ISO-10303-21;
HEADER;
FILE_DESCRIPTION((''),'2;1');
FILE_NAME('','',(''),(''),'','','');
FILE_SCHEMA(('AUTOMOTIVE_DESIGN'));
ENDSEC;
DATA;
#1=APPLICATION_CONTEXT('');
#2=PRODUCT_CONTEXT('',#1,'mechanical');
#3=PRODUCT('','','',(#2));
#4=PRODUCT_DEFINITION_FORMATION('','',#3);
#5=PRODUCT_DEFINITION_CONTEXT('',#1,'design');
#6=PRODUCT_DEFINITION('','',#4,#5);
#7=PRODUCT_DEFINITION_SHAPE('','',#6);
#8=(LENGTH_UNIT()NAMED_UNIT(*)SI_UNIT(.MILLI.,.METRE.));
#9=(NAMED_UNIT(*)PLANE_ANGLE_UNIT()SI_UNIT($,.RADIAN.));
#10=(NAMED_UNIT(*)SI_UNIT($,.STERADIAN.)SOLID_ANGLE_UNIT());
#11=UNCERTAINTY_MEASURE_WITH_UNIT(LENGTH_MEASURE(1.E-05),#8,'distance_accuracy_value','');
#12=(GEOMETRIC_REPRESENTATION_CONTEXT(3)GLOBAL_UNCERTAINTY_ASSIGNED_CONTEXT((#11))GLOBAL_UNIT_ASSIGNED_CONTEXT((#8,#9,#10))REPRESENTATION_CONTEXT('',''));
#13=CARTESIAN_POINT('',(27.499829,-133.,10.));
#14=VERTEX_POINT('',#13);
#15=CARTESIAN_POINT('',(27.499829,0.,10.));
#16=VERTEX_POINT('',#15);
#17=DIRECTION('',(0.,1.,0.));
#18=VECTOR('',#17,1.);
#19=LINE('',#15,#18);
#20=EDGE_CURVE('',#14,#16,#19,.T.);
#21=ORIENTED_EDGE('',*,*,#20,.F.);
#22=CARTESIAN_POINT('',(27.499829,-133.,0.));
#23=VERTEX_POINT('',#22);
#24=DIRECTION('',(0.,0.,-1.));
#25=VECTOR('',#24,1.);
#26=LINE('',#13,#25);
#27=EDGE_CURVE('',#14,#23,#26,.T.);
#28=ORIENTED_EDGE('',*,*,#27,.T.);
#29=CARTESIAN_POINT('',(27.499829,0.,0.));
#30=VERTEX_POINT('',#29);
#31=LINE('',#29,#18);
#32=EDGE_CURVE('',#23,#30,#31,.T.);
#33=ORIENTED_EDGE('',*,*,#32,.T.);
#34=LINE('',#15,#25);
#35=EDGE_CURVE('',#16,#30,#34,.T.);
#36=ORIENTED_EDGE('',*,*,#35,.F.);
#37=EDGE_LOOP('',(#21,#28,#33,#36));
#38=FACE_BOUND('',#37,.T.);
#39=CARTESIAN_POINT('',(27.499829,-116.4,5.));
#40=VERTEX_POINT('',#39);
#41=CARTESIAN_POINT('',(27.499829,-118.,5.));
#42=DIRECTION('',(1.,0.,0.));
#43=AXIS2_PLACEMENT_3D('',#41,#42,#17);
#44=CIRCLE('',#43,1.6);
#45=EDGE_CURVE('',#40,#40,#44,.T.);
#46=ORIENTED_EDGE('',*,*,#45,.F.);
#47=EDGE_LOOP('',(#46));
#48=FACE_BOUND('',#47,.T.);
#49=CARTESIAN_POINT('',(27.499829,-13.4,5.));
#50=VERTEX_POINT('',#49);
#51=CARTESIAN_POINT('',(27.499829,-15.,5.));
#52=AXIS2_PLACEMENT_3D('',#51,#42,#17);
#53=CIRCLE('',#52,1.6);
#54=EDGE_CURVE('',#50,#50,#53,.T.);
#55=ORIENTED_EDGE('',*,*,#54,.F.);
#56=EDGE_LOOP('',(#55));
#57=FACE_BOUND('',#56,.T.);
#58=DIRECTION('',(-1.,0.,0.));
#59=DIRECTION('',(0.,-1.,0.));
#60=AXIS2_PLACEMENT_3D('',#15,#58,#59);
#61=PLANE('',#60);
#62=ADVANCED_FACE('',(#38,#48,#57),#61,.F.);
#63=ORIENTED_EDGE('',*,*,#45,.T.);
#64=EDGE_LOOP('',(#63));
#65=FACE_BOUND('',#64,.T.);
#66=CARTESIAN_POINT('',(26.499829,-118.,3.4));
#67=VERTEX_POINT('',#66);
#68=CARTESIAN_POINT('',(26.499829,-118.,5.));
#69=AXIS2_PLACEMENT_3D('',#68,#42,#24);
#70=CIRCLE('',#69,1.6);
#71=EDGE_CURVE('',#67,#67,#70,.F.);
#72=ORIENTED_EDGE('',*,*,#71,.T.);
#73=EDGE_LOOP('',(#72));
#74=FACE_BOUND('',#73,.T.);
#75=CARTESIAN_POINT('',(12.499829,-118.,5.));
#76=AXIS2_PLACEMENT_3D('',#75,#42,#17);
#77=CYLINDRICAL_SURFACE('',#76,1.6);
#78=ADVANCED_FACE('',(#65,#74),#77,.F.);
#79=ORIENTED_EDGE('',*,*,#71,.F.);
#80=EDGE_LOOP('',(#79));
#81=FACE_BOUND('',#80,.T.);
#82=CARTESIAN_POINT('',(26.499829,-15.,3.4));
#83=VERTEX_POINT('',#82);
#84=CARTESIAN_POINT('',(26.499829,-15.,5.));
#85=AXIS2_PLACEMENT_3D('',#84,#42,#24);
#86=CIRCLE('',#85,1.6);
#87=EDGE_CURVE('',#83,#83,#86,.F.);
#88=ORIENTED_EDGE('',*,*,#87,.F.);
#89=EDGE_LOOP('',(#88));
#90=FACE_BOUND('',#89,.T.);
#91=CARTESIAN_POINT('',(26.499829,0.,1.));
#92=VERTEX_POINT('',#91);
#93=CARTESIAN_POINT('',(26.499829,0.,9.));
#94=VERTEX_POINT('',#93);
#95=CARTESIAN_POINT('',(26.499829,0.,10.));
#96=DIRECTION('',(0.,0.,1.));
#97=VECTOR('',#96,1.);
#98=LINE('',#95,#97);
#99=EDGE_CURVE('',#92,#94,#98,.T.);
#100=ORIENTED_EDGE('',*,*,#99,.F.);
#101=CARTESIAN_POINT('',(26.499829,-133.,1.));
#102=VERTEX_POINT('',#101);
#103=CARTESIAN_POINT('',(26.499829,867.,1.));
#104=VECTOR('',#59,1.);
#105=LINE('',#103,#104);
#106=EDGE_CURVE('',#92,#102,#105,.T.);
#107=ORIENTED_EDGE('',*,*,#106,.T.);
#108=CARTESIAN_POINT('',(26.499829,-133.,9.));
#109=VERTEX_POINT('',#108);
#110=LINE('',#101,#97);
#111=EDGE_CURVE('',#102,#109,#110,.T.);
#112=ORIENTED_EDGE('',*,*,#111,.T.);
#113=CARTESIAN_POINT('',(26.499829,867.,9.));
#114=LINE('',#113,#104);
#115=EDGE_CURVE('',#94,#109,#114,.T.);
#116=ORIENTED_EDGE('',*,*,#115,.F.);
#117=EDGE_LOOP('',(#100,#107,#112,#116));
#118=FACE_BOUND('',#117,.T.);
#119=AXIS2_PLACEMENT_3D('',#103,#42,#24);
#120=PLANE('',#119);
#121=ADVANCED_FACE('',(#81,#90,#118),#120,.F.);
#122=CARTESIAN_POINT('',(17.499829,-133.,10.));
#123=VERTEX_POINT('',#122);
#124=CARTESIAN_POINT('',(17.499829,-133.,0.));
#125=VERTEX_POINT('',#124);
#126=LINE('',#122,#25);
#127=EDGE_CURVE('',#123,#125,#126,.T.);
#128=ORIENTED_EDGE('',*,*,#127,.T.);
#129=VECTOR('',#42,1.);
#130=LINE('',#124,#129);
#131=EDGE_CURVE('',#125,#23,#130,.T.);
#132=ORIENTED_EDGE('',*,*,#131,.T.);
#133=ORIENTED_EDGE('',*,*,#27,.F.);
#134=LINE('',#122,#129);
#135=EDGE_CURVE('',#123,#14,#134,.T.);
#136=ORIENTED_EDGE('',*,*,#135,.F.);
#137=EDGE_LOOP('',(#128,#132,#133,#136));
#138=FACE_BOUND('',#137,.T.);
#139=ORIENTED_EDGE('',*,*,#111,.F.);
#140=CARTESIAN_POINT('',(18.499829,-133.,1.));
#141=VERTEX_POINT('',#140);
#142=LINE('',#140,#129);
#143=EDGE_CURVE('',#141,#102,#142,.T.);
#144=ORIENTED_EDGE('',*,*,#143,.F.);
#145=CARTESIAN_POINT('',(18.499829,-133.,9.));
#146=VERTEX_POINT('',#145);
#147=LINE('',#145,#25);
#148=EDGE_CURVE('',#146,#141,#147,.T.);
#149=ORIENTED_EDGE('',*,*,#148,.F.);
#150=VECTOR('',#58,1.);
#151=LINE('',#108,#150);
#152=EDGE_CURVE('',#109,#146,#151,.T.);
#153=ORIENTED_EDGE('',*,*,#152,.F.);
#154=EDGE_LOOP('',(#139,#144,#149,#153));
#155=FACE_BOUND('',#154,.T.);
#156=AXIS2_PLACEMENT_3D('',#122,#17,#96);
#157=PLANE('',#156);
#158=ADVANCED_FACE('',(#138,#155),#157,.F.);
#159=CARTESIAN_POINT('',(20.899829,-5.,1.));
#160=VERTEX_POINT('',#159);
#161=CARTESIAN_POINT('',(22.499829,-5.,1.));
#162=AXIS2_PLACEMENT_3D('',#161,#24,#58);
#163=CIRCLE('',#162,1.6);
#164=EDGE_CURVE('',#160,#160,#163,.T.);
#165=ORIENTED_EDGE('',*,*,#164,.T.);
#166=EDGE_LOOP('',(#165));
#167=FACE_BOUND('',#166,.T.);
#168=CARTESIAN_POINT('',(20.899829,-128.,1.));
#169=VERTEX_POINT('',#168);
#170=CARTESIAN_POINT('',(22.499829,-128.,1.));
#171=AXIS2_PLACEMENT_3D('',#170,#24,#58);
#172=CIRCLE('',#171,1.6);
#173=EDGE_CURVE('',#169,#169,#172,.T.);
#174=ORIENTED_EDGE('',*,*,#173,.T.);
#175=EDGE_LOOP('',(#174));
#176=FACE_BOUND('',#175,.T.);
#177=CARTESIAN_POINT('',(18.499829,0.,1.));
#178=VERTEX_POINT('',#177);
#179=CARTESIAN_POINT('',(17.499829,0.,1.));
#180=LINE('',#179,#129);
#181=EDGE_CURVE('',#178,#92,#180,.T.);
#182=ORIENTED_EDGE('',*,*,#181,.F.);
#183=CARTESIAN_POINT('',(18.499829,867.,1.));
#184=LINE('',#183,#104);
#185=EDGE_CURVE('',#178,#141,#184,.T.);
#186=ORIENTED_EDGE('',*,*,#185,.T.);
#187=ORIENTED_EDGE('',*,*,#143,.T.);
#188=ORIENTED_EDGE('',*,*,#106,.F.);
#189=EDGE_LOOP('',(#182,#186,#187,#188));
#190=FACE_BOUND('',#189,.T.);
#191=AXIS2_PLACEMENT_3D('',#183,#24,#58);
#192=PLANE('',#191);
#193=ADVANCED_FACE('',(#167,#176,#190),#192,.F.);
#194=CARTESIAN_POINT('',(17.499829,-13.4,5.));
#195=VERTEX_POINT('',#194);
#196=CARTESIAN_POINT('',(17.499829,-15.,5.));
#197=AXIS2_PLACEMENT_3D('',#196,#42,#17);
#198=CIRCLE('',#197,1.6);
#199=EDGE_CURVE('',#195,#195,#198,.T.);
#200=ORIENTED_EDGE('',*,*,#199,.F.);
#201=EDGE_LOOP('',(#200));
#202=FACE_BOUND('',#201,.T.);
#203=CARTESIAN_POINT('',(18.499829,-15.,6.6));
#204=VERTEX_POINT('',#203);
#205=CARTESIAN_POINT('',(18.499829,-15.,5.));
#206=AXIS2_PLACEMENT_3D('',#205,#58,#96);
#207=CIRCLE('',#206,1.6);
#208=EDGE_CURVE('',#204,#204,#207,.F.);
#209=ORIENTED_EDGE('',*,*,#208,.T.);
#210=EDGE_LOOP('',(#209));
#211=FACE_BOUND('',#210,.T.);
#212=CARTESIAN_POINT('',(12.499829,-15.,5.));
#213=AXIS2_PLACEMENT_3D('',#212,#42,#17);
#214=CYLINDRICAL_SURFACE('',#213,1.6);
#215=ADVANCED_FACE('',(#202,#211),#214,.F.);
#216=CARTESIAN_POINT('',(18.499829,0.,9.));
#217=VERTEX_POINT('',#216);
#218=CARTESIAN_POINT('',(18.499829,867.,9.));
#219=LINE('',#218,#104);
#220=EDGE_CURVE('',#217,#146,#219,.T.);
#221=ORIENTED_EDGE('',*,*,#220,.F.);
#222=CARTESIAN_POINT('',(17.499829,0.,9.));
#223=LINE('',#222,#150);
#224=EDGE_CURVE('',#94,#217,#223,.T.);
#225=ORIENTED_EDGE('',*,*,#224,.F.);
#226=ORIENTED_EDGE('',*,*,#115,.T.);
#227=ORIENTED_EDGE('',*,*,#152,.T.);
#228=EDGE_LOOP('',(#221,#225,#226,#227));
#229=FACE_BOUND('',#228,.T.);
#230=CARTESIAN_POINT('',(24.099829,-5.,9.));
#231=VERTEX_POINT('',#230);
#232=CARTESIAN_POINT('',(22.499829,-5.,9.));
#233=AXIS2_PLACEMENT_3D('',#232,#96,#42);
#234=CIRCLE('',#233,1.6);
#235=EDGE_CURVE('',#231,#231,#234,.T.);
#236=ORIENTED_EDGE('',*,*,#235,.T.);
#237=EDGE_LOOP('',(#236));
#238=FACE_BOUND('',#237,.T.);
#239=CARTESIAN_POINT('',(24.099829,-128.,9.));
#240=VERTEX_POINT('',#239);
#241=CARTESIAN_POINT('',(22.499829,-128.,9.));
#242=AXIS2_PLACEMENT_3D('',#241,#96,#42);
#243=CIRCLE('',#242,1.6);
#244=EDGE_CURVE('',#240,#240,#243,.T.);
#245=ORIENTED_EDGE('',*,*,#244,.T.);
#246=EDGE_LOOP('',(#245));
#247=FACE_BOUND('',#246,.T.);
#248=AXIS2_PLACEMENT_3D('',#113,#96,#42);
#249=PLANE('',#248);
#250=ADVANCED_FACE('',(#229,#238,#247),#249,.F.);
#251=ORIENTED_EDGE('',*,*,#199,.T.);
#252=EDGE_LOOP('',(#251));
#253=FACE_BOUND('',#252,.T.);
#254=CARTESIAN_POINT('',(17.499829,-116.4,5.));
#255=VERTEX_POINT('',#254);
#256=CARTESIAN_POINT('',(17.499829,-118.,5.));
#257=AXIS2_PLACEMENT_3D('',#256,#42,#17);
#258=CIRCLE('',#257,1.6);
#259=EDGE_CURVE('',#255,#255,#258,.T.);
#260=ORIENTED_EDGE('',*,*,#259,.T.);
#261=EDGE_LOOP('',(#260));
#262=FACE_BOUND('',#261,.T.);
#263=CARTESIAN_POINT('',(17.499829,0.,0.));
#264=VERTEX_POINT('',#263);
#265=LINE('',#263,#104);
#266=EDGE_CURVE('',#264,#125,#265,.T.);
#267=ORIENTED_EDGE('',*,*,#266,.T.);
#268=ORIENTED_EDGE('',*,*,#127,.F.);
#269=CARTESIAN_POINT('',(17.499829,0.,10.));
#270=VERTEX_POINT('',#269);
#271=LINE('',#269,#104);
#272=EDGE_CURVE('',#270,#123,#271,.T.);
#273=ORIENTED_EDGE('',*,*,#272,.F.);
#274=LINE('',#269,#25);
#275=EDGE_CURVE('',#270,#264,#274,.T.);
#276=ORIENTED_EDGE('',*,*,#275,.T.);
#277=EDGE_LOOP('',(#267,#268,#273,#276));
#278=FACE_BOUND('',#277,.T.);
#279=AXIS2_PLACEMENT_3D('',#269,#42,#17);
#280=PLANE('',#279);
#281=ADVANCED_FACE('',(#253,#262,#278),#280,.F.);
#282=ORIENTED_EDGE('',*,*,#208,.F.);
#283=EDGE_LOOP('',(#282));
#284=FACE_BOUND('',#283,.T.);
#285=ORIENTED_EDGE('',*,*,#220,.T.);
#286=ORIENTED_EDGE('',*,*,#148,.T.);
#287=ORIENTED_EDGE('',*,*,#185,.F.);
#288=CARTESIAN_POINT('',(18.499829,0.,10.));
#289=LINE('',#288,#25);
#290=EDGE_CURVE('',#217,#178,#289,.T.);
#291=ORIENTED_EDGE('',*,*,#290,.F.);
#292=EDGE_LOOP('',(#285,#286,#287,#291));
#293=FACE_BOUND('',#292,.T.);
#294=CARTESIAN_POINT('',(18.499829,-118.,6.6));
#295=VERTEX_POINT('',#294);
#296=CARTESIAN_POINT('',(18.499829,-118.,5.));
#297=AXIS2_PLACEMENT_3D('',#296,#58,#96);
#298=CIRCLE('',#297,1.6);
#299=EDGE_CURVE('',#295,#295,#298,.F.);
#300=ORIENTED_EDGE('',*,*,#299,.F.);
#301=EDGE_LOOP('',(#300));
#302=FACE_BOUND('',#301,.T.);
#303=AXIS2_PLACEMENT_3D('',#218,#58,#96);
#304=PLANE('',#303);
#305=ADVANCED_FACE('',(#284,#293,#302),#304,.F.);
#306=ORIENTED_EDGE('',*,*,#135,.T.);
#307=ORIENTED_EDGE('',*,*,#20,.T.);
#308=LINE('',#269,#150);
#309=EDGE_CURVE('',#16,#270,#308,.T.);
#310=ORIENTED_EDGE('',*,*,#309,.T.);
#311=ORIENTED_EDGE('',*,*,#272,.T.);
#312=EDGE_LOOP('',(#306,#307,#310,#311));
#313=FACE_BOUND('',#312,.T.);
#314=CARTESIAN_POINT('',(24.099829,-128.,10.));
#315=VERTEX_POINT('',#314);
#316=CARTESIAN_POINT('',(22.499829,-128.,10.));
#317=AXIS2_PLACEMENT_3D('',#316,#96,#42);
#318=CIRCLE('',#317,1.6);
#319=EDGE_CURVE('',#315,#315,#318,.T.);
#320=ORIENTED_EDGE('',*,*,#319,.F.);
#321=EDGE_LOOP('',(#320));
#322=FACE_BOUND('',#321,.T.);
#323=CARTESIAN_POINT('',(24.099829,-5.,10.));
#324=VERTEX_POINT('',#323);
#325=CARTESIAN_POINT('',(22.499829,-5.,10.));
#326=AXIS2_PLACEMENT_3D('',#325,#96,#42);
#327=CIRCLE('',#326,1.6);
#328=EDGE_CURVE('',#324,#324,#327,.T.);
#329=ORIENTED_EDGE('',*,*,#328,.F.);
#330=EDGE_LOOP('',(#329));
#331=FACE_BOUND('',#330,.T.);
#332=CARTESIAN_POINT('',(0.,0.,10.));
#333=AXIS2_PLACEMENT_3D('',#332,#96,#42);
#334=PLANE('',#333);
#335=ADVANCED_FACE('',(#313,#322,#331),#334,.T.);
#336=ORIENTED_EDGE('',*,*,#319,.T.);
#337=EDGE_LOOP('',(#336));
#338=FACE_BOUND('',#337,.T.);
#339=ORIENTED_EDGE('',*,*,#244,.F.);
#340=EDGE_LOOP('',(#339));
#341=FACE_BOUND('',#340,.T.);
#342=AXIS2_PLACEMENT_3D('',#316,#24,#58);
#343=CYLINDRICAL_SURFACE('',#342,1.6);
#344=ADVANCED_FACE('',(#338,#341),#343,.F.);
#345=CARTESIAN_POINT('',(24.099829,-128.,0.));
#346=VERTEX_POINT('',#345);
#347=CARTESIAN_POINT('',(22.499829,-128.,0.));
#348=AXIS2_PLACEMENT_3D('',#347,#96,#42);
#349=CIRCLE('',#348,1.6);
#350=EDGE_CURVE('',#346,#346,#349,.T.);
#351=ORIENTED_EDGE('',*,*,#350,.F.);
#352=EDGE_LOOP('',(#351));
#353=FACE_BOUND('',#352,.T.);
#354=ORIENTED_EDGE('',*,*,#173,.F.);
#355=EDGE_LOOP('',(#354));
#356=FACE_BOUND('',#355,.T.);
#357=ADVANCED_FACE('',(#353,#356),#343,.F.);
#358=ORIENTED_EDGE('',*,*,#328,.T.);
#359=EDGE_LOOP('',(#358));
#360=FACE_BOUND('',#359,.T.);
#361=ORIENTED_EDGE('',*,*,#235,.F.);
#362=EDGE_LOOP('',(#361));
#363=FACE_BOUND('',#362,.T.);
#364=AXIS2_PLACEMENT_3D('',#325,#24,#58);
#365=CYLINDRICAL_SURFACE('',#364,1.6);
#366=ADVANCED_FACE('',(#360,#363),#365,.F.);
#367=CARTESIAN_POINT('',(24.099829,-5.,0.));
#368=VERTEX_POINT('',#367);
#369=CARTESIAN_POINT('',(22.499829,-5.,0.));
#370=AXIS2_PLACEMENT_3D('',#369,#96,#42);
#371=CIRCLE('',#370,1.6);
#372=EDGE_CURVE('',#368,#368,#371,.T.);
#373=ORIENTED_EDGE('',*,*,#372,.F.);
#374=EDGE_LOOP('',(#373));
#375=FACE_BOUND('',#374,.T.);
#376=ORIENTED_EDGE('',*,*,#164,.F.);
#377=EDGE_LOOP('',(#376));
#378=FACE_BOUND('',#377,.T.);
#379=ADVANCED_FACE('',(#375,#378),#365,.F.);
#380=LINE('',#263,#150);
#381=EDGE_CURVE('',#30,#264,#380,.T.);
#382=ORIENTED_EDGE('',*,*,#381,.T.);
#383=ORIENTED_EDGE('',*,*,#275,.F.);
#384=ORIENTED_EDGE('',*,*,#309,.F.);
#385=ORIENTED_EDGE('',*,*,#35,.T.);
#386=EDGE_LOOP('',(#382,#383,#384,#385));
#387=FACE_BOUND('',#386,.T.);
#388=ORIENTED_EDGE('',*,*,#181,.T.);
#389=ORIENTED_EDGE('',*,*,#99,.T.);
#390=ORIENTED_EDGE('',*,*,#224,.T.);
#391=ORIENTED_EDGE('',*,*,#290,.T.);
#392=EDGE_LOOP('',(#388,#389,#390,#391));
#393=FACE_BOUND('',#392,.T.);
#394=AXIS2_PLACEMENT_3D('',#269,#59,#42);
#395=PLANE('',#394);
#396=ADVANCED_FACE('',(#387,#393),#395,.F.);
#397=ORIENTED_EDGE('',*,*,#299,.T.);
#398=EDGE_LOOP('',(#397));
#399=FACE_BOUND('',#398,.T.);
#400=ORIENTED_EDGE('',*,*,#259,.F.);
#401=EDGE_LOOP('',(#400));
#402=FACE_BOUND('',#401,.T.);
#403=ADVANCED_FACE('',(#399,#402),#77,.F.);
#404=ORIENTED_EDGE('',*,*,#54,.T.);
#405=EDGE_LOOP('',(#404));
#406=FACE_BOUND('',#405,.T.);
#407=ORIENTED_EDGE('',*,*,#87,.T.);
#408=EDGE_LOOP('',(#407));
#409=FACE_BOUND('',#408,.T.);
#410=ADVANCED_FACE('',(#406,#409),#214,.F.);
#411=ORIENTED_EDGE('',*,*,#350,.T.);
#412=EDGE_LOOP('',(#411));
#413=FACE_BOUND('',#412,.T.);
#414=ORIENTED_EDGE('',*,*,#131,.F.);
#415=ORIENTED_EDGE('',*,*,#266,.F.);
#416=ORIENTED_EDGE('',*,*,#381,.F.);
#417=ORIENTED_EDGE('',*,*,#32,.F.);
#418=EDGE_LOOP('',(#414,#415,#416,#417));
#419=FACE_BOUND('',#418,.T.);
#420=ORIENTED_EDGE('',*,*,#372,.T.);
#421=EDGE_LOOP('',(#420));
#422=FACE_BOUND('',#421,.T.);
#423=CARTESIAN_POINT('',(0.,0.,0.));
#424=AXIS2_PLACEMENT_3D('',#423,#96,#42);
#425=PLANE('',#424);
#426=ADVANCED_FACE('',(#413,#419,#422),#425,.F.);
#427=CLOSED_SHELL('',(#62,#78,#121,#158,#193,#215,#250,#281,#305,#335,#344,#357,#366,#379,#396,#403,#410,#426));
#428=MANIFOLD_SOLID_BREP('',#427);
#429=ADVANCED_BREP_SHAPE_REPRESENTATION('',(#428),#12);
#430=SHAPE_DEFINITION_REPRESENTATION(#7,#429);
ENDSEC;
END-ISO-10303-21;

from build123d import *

# Parameters (mm, degrees)
SKETCH_1_W          = 10
SKETCH_1_H          = 133
SKETCH_1_R          = 1.6
EXTRUDE_1_DEPTH     = 10
SKETCH_2_R          = 1.6
CUT_EXTRUDE_1_DEPTH = 15
SKETCH_3_W          = 8
SKETCH_3_H          = 8
CUT_EXTRUDE_2_DEPTH = 1000


with BuildPart() as part:
    # ｽｹｯﾁ1 → ﾎﾞｽ - 押し出し1 (new body)
    with BuildSketch(Plane.XY):
        with Locations((22.499828612, -66.5)):
            Rectangle(SKETCH_1_W, SKETCH_1_H)
        with Locations((22.499828612, -5)):
            Circle(SKETCH_1_R, mode=Mode.SUBTRACT)
        with Locations((22.499828612, -128)):
            Circle(SKETCH_1_R, mode=Mode.SUBTRACT)
    extrude(amount=EXTRUDE_1_DEPTH)

    # ｽｹｯﾁ2 → ｶｯﾄ - 押し出し1 (cut)
    with BuildSketch(Plane(origin=(27.499828612, 0, 0), x_dir=(0, 0, -1), z_dir=(1, 0, 0))):
        with Locations(Location((-5, -118, 0), (0, 0, 90))):
            Circle(SKETCH_2_R)
        with Locations(Location((-5, -15, 0), (0, 0, 90))):
            Circle(SKETCH_2_R)
    extrude(amount=-CUT_EXTRUDE_1_DEPTH, mode=Mode.SUBTRACT)

    # ｽｹｯﾁ3 → ｶｯﾄ - 押し出し2 (cut)
    with BuildSketch(Plane.XZ.offset(133)):
        with Locations((22.499828612, 5)):
            Rectangle(SKETCH_3_W, SKETCH_3_H)
    extrude(amount=-CUT_EXTRUDE_2_DEPTH, mode=Mode.SUBTRACT)


solid = part.part
